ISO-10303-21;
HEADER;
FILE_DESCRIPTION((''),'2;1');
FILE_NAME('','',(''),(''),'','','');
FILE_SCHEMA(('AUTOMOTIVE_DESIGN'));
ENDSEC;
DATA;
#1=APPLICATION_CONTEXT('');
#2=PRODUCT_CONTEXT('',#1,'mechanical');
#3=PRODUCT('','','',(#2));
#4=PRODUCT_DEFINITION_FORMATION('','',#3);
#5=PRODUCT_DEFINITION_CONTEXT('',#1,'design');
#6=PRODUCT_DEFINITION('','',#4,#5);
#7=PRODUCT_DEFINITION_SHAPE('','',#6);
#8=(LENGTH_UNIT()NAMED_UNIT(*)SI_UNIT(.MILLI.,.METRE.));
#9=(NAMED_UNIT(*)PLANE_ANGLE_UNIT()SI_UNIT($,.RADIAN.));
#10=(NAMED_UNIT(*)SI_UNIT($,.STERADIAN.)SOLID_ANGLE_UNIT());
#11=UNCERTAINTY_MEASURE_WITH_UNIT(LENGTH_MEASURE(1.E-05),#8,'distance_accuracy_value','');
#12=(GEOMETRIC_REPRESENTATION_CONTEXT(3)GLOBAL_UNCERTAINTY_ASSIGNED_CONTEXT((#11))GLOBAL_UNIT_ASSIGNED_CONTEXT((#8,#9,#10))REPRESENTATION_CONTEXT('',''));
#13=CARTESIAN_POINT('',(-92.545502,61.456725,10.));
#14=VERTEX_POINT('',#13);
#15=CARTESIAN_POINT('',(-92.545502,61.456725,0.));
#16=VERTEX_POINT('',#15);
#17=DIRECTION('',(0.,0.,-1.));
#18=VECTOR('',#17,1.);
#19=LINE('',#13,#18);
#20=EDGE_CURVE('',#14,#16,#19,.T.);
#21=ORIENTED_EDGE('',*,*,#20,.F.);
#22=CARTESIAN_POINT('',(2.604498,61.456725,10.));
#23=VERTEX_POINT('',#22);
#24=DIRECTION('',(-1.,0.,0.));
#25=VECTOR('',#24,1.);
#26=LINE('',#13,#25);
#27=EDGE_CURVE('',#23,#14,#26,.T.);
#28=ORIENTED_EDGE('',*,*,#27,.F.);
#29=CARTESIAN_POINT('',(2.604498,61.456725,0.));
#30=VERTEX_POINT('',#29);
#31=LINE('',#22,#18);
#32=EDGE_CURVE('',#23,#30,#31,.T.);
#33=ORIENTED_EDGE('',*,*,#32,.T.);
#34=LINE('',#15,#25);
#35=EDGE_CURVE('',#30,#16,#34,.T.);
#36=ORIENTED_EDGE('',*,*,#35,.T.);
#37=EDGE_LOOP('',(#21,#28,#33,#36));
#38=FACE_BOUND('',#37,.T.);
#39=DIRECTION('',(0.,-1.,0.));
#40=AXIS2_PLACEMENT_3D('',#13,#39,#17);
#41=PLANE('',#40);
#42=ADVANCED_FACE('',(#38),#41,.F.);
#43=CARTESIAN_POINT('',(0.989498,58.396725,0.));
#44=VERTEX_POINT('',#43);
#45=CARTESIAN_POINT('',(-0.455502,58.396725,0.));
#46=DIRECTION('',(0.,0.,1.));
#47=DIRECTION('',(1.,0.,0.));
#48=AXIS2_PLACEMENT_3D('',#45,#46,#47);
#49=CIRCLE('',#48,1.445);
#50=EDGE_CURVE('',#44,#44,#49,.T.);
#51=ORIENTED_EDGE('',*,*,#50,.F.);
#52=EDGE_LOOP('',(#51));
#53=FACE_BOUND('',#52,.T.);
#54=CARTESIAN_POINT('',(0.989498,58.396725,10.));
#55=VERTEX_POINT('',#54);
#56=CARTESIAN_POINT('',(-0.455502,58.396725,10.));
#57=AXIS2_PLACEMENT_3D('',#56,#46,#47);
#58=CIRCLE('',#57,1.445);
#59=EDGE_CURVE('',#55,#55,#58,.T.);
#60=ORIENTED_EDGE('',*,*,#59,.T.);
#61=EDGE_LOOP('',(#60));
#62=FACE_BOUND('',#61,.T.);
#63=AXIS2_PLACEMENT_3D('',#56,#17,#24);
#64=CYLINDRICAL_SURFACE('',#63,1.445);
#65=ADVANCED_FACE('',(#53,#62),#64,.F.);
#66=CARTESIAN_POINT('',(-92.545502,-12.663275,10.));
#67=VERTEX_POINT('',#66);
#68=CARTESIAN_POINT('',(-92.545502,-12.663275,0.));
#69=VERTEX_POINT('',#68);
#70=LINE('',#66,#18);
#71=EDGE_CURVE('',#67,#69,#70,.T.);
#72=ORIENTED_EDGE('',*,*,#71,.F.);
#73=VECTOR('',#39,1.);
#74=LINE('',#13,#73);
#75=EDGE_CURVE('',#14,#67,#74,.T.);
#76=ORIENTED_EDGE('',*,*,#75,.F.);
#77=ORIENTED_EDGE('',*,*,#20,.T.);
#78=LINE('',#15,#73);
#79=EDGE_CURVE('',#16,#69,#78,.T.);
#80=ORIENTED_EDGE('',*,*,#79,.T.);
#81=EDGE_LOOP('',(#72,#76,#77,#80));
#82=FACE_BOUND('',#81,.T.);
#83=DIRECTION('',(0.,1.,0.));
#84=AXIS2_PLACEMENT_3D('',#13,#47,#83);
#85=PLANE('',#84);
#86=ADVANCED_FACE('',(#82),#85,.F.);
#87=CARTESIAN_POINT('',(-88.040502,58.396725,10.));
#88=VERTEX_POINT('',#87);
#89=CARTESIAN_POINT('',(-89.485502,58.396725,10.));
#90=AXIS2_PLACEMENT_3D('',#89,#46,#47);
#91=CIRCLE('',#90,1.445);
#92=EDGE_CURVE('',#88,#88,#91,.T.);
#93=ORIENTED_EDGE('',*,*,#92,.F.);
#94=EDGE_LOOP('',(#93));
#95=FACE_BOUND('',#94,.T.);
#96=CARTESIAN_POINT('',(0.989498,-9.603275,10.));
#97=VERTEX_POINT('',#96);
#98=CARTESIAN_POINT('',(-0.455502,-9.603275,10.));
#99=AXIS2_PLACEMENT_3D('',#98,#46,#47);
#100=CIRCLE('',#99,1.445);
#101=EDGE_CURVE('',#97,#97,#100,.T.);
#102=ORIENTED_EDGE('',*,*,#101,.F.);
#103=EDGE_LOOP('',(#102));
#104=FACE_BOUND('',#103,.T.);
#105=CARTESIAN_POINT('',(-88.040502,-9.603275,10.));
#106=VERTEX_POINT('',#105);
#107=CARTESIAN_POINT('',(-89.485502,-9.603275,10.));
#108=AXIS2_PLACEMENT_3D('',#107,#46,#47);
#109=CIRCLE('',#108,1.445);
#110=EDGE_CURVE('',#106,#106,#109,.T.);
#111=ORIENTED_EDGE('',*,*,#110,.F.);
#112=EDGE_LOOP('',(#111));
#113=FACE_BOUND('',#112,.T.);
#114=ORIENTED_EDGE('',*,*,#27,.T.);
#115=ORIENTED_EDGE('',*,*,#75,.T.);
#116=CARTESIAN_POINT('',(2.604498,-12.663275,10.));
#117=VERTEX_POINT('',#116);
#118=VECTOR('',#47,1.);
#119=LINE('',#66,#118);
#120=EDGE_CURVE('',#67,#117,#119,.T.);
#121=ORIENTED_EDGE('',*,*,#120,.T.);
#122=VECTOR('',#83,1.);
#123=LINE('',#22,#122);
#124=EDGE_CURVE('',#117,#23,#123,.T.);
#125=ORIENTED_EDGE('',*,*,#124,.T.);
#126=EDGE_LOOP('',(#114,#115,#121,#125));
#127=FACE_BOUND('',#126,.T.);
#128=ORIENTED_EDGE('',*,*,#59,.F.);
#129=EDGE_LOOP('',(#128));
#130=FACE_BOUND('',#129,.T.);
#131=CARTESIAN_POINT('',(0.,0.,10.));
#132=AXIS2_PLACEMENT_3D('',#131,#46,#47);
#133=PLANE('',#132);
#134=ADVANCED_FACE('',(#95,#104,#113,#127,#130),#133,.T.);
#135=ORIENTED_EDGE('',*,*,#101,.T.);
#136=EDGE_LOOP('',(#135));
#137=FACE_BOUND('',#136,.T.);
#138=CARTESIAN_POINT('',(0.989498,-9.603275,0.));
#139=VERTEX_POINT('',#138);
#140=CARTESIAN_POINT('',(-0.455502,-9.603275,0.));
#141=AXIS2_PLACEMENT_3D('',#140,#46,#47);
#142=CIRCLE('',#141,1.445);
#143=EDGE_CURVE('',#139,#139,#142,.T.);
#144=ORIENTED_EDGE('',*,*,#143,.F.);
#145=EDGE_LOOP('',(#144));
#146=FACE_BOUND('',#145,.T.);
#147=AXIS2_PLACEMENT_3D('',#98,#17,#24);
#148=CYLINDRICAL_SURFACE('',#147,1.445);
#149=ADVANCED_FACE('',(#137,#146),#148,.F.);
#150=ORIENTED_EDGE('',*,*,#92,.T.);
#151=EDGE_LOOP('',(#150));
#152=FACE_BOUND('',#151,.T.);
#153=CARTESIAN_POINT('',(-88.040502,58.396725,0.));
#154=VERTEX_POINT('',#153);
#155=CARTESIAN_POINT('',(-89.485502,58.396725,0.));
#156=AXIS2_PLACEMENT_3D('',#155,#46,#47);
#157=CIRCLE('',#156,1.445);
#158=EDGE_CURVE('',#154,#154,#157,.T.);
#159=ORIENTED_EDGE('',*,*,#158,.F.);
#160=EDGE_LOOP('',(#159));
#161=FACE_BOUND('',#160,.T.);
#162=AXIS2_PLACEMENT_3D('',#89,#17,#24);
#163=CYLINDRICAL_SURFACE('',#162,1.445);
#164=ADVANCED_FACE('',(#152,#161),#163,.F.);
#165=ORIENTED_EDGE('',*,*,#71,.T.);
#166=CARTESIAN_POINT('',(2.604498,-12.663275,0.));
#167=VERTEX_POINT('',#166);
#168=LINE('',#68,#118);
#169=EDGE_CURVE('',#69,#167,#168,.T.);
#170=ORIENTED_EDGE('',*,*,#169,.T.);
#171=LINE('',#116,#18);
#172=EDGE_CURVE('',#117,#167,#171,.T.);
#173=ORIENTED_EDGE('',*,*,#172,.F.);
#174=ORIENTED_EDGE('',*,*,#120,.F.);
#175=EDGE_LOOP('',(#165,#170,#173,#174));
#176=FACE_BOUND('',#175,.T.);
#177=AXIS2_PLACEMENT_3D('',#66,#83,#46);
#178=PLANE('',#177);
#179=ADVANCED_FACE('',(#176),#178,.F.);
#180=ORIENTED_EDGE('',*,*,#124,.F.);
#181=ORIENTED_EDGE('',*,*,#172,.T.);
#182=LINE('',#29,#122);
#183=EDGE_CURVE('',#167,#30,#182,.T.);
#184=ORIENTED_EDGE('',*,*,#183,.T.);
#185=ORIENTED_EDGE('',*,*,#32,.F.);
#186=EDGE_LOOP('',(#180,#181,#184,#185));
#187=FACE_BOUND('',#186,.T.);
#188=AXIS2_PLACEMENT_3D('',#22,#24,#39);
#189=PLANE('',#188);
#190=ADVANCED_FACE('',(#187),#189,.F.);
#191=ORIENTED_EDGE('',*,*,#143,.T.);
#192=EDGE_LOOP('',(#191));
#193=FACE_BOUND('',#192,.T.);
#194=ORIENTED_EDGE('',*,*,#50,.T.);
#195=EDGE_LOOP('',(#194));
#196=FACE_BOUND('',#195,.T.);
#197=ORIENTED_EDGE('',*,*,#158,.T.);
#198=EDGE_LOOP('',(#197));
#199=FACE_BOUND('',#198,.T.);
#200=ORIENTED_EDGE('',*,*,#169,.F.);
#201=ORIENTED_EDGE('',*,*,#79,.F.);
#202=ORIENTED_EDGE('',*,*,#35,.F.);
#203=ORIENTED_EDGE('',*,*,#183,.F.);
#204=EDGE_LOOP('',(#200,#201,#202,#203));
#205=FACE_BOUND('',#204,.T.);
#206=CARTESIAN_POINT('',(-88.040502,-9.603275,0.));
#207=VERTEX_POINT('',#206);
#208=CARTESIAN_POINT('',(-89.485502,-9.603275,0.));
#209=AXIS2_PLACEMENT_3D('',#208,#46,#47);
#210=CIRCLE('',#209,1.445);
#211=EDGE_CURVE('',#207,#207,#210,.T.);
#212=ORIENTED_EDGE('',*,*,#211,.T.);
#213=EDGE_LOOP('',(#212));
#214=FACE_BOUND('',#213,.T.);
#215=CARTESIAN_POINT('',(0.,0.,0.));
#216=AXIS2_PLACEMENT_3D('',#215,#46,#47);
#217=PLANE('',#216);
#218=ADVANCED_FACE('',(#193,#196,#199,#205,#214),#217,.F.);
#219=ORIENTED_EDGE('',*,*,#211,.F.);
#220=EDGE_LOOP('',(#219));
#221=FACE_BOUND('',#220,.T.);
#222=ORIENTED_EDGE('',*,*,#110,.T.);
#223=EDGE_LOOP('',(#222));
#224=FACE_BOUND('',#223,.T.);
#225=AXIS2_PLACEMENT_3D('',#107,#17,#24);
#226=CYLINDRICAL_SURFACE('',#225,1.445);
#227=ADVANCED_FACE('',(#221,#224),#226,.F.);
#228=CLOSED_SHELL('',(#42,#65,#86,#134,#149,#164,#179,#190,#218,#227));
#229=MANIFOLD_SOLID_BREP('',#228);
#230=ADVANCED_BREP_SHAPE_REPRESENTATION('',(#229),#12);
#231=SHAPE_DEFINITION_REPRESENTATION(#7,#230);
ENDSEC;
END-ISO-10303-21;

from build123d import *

# Parameters (mm, degrees)
SKETCH_1_W      = 95.15
SKETCH_1_H      = 74.12
SKETCH_1_R      = 1.445
EXTRUDE_1_DEPTH = 10


with BuildPart() as part:
    # Эскиз1 → Бобышка-Вытянуть1 (new body)
    with BuildSketch(Plane.XY):
        with Locations((-44.970501877, 24.396724937)):
            Rectangle(SKETCH_1_W, SKETCH_1_H)
        with Locations((-0.455501877, 58.396724937)):
            Circle(SKETCH_1_R, mode=Mode.SUBTRACT)
        with Locations((-89.485501877, 58.396724937)):
            Circle(SKETCH_1_R, mode=Mode.SUBTRACT)
        with Locations((-89.485501877, -9.603275063)):
            Circle(SKETCH_1_R, mode=Mode.SUBTRACT)
        with Locations((-0.455501877, -9.603275063)):
            Circle(SKETCH_1_R, mode=Mode.SUBTRACT)
    extrude(amount=EXTRUDE_1_DEPTH)


solid = part.part
